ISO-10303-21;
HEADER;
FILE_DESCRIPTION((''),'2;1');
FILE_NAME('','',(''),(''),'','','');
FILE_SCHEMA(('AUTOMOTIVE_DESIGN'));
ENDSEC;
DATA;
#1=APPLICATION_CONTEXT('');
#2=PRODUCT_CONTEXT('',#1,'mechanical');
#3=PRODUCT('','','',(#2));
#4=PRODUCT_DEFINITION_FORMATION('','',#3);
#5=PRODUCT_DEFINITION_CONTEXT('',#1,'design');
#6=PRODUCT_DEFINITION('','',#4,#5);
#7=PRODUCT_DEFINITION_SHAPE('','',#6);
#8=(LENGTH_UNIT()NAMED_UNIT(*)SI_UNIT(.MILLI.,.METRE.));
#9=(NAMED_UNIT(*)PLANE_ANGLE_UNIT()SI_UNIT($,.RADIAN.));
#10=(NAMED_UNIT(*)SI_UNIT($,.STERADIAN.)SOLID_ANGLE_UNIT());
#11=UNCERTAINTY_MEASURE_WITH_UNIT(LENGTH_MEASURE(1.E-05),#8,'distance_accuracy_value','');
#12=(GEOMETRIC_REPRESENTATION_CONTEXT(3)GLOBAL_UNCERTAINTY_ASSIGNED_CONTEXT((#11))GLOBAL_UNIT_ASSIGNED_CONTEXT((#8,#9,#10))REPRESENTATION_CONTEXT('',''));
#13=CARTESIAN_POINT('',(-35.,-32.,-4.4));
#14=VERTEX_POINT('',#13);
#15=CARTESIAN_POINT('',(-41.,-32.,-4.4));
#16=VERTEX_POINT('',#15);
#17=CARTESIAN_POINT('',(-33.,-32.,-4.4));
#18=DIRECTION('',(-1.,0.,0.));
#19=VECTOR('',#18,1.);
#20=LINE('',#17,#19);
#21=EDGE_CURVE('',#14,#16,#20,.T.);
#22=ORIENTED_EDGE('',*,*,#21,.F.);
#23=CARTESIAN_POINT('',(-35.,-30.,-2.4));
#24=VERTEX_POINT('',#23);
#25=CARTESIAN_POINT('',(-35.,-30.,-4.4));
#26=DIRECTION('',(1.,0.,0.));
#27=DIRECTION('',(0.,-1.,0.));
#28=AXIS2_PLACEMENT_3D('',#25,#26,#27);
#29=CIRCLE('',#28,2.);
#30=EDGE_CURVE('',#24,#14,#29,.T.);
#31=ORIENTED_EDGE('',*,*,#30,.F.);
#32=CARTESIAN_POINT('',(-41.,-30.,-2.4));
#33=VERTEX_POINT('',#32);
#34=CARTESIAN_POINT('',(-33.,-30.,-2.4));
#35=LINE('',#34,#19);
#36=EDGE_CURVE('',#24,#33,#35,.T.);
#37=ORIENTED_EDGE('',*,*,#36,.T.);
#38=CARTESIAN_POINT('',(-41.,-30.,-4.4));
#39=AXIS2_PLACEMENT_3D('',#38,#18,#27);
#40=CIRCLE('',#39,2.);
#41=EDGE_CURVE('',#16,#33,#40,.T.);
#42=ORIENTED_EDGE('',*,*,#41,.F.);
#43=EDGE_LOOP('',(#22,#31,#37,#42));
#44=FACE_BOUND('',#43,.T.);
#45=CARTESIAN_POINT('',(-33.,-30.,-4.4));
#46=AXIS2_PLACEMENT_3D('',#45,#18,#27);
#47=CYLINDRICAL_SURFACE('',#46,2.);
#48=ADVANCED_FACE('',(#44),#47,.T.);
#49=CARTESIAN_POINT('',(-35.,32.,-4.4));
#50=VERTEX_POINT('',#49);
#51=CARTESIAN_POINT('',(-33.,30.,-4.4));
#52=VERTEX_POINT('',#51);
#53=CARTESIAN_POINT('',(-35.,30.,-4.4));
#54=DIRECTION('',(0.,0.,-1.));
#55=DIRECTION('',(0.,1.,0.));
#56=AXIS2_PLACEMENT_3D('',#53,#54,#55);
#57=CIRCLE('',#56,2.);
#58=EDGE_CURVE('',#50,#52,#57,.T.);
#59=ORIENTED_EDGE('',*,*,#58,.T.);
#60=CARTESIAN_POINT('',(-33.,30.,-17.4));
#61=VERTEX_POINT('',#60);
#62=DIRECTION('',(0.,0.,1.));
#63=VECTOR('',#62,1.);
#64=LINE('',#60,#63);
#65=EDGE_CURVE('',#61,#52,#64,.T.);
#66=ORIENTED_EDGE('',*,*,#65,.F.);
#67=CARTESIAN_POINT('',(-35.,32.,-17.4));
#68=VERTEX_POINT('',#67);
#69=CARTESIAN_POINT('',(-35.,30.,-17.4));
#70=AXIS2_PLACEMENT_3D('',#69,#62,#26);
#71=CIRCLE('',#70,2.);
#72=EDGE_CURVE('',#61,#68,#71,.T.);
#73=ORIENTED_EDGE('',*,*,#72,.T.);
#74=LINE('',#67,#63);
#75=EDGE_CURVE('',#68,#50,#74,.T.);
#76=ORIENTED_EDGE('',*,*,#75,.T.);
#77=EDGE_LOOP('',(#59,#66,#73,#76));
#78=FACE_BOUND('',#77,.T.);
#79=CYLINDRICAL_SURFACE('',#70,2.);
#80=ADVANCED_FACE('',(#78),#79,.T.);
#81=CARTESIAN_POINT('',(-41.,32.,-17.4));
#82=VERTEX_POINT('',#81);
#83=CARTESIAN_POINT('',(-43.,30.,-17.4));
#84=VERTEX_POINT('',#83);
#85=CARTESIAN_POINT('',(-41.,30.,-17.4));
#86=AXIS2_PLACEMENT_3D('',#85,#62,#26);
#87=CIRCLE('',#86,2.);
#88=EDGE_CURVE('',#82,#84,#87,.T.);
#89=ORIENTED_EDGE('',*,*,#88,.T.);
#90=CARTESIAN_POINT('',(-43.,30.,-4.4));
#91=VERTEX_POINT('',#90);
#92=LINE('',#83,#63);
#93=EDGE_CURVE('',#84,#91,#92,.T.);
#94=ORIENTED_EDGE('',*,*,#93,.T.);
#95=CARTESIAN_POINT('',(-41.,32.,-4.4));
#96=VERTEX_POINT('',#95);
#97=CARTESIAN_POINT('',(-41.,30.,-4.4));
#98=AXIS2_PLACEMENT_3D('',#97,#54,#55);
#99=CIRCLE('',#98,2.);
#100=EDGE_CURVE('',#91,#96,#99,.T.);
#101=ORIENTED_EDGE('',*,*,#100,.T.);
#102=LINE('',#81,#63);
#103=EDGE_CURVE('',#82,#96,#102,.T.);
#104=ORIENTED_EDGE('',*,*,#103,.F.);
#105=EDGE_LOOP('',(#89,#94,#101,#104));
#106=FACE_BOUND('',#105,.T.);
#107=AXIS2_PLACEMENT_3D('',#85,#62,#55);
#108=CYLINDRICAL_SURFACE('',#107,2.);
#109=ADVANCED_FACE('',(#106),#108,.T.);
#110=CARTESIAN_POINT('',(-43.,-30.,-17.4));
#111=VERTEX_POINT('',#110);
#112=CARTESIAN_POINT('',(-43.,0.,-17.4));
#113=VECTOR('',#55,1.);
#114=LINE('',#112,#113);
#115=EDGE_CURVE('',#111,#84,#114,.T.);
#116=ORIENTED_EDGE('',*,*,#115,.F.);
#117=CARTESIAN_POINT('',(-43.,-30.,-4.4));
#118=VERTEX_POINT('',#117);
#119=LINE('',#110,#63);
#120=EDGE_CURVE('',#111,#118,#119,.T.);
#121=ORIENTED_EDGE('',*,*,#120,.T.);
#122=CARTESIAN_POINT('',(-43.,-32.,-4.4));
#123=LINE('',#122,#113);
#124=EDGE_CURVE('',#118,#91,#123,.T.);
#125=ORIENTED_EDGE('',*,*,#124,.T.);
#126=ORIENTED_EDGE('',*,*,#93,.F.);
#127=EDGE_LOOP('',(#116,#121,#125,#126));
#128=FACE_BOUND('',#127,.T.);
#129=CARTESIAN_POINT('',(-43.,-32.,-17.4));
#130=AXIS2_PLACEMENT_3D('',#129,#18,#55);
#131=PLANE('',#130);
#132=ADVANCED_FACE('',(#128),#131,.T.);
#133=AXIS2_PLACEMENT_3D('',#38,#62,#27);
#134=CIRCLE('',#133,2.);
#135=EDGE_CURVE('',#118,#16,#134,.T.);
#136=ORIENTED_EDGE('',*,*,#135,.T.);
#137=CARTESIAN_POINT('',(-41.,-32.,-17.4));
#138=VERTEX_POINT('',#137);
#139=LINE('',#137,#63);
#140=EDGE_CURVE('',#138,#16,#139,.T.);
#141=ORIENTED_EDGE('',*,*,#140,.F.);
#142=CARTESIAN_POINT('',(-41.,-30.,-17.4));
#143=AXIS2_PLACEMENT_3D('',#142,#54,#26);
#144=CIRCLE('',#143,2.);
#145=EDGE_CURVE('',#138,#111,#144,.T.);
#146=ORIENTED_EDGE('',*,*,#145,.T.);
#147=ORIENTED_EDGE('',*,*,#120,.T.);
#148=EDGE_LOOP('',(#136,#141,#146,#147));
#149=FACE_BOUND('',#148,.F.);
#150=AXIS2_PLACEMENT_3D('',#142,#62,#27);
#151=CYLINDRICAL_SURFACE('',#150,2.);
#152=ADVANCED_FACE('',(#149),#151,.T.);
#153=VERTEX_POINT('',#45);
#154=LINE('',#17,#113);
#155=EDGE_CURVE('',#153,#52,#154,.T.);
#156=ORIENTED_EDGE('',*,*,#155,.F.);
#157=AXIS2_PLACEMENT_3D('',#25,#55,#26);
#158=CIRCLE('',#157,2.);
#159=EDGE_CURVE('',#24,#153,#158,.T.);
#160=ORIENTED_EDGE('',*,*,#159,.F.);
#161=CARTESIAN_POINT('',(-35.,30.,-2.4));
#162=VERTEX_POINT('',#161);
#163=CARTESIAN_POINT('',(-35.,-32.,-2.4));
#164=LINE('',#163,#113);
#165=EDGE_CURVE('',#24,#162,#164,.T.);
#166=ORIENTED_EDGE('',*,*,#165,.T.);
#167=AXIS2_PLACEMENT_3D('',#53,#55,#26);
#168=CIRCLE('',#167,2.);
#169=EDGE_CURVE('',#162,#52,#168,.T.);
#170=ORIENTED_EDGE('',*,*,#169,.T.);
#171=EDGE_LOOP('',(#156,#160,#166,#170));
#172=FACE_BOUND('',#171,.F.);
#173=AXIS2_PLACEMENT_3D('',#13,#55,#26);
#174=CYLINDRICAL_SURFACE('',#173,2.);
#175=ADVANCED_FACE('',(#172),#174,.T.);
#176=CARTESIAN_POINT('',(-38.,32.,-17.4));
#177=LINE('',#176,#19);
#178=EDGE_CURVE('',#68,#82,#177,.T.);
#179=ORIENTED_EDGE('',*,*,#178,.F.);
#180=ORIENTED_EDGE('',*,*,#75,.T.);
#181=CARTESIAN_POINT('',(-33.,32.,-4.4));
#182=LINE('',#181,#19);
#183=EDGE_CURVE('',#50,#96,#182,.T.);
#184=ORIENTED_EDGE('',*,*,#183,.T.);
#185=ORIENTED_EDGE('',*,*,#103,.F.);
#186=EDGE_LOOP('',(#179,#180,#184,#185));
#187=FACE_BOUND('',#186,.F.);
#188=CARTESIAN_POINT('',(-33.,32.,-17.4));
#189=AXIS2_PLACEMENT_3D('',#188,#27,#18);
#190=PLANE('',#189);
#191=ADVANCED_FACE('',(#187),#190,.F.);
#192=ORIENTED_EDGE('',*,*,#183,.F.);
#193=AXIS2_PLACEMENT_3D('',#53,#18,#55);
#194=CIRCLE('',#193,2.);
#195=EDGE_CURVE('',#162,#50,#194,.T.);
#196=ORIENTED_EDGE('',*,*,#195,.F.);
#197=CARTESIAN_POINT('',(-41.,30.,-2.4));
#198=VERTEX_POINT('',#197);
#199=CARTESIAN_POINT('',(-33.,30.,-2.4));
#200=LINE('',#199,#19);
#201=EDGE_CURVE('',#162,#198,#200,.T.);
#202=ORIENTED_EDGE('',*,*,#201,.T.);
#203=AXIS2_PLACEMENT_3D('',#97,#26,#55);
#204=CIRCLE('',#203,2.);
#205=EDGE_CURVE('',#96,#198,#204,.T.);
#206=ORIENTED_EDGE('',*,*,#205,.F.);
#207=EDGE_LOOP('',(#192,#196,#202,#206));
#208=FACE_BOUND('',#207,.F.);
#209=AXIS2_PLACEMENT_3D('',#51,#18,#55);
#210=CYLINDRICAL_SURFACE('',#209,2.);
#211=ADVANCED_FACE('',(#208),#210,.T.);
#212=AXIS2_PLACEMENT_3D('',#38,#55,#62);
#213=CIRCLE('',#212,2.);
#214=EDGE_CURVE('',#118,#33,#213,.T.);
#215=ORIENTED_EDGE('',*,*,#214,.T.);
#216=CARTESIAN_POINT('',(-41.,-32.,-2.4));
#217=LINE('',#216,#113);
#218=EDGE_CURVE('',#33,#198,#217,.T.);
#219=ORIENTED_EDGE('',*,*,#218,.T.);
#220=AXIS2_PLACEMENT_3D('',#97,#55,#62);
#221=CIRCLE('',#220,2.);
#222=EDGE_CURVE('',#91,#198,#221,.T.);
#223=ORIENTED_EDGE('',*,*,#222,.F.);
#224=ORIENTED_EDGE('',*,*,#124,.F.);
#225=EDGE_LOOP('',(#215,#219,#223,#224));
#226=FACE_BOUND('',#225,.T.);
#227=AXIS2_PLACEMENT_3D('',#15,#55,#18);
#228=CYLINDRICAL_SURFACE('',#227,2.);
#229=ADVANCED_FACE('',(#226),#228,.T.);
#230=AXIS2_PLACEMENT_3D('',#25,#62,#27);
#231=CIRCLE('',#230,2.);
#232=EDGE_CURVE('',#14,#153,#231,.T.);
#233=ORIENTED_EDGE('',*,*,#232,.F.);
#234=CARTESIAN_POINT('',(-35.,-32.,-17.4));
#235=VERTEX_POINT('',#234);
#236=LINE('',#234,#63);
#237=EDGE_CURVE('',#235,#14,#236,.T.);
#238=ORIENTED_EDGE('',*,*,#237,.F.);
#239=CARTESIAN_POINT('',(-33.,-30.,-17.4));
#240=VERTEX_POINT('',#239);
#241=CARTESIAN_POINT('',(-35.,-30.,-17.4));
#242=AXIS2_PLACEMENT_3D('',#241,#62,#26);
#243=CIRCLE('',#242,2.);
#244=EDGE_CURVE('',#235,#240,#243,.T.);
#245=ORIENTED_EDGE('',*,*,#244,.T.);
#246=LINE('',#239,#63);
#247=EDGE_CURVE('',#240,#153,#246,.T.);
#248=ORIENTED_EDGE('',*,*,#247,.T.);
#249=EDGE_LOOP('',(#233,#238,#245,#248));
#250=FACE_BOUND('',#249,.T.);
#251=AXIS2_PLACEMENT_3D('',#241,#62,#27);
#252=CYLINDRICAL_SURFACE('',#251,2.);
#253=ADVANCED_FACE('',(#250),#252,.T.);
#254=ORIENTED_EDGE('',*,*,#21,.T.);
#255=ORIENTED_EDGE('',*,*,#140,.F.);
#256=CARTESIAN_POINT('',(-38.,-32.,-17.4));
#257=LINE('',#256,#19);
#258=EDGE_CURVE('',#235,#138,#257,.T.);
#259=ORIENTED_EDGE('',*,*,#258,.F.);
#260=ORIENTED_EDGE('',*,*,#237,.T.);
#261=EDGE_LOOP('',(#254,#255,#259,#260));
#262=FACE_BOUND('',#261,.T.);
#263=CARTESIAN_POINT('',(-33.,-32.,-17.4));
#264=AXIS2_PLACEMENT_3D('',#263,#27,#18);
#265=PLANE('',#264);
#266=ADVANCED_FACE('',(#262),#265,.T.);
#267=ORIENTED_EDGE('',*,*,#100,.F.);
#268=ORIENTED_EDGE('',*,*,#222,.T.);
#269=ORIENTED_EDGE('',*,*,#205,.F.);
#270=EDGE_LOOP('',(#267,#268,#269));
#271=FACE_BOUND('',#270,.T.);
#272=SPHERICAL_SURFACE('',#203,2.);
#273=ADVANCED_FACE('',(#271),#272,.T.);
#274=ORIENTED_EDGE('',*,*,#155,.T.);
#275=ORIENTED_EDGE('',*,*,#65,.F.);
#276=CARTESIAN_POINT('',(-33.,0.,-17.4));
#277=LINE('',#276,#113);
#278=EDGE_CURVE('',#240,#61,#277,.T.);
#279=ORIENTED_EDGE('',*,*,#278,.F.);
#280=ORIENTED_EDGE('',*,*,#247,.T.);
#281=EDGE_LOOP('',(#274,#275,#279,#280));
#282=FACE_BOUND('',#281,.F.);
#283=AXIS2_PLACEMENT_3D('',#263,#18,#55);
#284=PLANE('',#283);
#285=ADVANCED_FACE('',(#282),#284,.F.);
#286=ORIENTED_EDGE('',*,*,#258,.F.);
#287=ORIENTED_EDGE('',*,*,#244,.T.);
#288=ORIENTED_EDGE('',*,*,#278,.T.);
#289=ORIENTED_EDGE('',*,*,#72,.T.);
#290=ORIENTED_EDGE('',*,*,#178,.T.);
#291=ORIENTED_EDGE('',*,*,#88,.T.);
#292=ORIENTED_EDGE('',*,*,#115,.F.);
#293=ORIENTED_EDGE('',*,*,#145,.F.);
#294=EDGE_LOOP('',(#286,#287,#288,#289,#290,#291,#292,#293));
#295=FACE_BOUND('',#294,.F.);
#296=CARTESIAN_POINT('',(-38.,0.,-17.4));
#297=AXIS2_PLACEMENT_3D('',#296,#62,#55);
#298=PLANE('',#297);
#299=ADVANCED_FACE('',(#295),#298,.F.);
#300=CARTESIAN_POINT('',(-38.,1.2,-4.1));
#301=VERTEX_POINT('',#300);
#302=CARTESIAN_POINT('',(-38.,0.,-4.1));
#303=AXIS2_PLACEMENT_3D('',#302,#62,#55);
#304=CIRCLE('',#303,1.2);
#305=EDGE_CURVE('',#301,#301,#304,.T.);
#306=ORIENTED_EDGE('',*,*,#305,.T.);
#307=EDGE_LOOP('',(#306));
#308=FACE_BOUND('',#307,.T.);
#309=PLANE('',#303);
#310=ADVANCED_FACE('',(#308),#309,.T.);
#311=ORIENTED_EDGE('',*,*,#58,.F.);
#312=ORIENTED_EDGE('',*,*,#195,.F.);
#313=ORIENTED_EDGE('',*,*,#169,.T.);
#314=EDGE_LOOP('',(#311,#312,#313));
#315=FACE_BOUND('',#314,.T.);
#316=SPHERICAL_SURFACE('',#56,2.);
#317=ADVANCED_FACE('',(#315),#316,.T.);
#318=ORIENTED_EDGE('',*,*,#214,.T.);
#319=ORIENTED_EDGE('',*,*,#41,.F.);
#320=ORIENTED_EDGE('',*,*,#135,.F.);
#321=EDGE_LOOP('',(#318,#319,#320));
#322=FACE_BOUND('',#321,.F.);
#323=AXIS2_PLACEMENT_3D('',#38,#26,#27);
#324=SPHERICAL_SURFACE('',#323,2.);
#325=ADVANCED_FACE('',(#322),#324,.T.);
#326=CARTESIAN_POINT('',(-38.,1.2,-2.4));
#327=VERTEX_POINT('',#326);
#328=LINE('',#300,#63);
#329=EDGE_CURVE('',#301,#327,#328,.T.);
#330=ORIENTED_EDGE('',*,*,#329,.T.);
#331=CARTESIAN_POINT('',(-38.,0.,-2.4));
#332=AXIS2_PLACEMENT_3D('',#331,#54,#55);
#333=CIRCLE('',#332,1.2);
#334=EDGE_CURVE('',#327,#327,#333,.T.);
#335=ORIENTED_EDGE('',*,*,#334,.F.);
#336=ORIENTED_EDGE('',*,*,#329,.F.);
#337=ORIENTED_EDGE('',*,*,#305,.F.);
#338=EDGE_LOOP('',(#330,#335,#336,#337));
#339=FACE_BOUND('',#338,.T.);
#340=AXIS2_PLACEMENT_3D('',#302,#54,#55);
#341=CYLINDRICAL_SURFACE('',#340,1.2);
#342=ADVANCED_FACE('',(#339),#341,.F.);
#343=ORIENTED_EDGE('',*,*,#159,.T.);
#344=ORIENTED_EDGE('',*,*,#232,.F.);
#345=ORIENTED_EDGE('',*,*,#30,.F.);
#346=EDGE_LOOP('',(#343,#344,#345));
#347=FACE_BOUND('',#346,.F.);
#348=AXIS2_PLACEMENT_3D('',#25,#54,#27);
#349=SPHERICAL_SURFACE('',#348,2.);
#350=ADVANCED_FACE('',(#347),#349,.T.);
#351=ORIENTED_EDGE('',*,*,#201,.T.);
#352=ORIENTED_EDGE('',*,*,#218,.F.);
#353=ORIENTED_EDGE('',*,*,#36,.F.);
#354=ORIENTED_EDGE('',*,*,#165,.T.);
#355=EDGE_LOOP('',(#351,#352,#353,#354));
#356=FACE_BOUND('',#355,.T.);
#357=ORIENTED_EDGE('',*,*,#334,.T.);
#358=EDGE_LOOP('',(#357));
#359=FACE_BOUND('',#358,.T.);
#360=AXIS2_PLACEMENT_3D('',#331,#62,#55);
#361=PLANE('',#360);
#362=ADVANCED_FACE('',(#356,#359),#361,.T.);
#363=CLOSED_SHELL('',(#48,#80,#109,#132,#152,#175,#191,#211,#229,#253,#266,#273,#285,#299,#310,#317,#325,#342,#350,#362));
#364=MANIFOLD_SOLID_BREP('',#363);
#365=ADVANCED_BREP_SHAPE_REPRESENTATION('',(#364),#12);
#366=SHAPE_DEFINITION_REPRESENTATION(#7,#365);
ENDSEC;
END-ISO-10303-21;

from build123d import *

# Parameters (mm, degrees)
CYLINDER004_R          = 1.2
CYLINDER004_DEPTH      = 1.8
BOX014_W               = 64
BOX014_H               = 10
BOX014_DEPTH           = 15
FILLET005_R            = 2
CUT009_PLACEMENT_ANGLE = 90


with BuildPart() as array006:
    # Cylinder004 → Cylinder004 (new body)
    with BuildSketch(Plane(origin=(0, -50, 11.9), x_dir=(1, 0, 0), z_dir=(0, 0, 1))):
        Circle(CYLINDER004_R)
    extrude(amount=CYLINDER004_DEPTH)


with BuildPart() as unterteil:
    # Box014 → Box014 (new body)
    with BuildSketch(Plane(origin=(-32, -55, -1.4), x_dir=(1, 0, 0), z_dir=(0, 0, 1))):
        with Locations((32, 5)):
            Rectangle(BOX014_W, BOX014_H)
    extrude(amount=BOX014_DEPTH)

    # Fillet005
    fillet005_edges = [unterteil.edges().sort_by_distance(p)[0] for p in [
        (-32, -55, 6.1),
        (-32, -50, 13.6),
        (-32, -45, 6.1),
        (32, -55, 6.1),
        (32, -50, 13.6),
        (32, -45, 6.1),
        (0, -55, 13.6),
        (0, -45, 13.6),
    ]]
    fillet(fillet005_edges, radius=FILLET005_R)

    # Cut009: cut Array006
    add(array006.part, mode=Mode.SUBTRACT)


with BuildPart() as unterteil_1:
    # Cut009 placement: moved
    add(unterteil.part.moved(Location((-88, 0, -16))).rotate(Axis((-88, 0, -16), (0, 0, 1)), CUT009_PLACEMENT_ANGLE))


solid = unterteil_1.part
